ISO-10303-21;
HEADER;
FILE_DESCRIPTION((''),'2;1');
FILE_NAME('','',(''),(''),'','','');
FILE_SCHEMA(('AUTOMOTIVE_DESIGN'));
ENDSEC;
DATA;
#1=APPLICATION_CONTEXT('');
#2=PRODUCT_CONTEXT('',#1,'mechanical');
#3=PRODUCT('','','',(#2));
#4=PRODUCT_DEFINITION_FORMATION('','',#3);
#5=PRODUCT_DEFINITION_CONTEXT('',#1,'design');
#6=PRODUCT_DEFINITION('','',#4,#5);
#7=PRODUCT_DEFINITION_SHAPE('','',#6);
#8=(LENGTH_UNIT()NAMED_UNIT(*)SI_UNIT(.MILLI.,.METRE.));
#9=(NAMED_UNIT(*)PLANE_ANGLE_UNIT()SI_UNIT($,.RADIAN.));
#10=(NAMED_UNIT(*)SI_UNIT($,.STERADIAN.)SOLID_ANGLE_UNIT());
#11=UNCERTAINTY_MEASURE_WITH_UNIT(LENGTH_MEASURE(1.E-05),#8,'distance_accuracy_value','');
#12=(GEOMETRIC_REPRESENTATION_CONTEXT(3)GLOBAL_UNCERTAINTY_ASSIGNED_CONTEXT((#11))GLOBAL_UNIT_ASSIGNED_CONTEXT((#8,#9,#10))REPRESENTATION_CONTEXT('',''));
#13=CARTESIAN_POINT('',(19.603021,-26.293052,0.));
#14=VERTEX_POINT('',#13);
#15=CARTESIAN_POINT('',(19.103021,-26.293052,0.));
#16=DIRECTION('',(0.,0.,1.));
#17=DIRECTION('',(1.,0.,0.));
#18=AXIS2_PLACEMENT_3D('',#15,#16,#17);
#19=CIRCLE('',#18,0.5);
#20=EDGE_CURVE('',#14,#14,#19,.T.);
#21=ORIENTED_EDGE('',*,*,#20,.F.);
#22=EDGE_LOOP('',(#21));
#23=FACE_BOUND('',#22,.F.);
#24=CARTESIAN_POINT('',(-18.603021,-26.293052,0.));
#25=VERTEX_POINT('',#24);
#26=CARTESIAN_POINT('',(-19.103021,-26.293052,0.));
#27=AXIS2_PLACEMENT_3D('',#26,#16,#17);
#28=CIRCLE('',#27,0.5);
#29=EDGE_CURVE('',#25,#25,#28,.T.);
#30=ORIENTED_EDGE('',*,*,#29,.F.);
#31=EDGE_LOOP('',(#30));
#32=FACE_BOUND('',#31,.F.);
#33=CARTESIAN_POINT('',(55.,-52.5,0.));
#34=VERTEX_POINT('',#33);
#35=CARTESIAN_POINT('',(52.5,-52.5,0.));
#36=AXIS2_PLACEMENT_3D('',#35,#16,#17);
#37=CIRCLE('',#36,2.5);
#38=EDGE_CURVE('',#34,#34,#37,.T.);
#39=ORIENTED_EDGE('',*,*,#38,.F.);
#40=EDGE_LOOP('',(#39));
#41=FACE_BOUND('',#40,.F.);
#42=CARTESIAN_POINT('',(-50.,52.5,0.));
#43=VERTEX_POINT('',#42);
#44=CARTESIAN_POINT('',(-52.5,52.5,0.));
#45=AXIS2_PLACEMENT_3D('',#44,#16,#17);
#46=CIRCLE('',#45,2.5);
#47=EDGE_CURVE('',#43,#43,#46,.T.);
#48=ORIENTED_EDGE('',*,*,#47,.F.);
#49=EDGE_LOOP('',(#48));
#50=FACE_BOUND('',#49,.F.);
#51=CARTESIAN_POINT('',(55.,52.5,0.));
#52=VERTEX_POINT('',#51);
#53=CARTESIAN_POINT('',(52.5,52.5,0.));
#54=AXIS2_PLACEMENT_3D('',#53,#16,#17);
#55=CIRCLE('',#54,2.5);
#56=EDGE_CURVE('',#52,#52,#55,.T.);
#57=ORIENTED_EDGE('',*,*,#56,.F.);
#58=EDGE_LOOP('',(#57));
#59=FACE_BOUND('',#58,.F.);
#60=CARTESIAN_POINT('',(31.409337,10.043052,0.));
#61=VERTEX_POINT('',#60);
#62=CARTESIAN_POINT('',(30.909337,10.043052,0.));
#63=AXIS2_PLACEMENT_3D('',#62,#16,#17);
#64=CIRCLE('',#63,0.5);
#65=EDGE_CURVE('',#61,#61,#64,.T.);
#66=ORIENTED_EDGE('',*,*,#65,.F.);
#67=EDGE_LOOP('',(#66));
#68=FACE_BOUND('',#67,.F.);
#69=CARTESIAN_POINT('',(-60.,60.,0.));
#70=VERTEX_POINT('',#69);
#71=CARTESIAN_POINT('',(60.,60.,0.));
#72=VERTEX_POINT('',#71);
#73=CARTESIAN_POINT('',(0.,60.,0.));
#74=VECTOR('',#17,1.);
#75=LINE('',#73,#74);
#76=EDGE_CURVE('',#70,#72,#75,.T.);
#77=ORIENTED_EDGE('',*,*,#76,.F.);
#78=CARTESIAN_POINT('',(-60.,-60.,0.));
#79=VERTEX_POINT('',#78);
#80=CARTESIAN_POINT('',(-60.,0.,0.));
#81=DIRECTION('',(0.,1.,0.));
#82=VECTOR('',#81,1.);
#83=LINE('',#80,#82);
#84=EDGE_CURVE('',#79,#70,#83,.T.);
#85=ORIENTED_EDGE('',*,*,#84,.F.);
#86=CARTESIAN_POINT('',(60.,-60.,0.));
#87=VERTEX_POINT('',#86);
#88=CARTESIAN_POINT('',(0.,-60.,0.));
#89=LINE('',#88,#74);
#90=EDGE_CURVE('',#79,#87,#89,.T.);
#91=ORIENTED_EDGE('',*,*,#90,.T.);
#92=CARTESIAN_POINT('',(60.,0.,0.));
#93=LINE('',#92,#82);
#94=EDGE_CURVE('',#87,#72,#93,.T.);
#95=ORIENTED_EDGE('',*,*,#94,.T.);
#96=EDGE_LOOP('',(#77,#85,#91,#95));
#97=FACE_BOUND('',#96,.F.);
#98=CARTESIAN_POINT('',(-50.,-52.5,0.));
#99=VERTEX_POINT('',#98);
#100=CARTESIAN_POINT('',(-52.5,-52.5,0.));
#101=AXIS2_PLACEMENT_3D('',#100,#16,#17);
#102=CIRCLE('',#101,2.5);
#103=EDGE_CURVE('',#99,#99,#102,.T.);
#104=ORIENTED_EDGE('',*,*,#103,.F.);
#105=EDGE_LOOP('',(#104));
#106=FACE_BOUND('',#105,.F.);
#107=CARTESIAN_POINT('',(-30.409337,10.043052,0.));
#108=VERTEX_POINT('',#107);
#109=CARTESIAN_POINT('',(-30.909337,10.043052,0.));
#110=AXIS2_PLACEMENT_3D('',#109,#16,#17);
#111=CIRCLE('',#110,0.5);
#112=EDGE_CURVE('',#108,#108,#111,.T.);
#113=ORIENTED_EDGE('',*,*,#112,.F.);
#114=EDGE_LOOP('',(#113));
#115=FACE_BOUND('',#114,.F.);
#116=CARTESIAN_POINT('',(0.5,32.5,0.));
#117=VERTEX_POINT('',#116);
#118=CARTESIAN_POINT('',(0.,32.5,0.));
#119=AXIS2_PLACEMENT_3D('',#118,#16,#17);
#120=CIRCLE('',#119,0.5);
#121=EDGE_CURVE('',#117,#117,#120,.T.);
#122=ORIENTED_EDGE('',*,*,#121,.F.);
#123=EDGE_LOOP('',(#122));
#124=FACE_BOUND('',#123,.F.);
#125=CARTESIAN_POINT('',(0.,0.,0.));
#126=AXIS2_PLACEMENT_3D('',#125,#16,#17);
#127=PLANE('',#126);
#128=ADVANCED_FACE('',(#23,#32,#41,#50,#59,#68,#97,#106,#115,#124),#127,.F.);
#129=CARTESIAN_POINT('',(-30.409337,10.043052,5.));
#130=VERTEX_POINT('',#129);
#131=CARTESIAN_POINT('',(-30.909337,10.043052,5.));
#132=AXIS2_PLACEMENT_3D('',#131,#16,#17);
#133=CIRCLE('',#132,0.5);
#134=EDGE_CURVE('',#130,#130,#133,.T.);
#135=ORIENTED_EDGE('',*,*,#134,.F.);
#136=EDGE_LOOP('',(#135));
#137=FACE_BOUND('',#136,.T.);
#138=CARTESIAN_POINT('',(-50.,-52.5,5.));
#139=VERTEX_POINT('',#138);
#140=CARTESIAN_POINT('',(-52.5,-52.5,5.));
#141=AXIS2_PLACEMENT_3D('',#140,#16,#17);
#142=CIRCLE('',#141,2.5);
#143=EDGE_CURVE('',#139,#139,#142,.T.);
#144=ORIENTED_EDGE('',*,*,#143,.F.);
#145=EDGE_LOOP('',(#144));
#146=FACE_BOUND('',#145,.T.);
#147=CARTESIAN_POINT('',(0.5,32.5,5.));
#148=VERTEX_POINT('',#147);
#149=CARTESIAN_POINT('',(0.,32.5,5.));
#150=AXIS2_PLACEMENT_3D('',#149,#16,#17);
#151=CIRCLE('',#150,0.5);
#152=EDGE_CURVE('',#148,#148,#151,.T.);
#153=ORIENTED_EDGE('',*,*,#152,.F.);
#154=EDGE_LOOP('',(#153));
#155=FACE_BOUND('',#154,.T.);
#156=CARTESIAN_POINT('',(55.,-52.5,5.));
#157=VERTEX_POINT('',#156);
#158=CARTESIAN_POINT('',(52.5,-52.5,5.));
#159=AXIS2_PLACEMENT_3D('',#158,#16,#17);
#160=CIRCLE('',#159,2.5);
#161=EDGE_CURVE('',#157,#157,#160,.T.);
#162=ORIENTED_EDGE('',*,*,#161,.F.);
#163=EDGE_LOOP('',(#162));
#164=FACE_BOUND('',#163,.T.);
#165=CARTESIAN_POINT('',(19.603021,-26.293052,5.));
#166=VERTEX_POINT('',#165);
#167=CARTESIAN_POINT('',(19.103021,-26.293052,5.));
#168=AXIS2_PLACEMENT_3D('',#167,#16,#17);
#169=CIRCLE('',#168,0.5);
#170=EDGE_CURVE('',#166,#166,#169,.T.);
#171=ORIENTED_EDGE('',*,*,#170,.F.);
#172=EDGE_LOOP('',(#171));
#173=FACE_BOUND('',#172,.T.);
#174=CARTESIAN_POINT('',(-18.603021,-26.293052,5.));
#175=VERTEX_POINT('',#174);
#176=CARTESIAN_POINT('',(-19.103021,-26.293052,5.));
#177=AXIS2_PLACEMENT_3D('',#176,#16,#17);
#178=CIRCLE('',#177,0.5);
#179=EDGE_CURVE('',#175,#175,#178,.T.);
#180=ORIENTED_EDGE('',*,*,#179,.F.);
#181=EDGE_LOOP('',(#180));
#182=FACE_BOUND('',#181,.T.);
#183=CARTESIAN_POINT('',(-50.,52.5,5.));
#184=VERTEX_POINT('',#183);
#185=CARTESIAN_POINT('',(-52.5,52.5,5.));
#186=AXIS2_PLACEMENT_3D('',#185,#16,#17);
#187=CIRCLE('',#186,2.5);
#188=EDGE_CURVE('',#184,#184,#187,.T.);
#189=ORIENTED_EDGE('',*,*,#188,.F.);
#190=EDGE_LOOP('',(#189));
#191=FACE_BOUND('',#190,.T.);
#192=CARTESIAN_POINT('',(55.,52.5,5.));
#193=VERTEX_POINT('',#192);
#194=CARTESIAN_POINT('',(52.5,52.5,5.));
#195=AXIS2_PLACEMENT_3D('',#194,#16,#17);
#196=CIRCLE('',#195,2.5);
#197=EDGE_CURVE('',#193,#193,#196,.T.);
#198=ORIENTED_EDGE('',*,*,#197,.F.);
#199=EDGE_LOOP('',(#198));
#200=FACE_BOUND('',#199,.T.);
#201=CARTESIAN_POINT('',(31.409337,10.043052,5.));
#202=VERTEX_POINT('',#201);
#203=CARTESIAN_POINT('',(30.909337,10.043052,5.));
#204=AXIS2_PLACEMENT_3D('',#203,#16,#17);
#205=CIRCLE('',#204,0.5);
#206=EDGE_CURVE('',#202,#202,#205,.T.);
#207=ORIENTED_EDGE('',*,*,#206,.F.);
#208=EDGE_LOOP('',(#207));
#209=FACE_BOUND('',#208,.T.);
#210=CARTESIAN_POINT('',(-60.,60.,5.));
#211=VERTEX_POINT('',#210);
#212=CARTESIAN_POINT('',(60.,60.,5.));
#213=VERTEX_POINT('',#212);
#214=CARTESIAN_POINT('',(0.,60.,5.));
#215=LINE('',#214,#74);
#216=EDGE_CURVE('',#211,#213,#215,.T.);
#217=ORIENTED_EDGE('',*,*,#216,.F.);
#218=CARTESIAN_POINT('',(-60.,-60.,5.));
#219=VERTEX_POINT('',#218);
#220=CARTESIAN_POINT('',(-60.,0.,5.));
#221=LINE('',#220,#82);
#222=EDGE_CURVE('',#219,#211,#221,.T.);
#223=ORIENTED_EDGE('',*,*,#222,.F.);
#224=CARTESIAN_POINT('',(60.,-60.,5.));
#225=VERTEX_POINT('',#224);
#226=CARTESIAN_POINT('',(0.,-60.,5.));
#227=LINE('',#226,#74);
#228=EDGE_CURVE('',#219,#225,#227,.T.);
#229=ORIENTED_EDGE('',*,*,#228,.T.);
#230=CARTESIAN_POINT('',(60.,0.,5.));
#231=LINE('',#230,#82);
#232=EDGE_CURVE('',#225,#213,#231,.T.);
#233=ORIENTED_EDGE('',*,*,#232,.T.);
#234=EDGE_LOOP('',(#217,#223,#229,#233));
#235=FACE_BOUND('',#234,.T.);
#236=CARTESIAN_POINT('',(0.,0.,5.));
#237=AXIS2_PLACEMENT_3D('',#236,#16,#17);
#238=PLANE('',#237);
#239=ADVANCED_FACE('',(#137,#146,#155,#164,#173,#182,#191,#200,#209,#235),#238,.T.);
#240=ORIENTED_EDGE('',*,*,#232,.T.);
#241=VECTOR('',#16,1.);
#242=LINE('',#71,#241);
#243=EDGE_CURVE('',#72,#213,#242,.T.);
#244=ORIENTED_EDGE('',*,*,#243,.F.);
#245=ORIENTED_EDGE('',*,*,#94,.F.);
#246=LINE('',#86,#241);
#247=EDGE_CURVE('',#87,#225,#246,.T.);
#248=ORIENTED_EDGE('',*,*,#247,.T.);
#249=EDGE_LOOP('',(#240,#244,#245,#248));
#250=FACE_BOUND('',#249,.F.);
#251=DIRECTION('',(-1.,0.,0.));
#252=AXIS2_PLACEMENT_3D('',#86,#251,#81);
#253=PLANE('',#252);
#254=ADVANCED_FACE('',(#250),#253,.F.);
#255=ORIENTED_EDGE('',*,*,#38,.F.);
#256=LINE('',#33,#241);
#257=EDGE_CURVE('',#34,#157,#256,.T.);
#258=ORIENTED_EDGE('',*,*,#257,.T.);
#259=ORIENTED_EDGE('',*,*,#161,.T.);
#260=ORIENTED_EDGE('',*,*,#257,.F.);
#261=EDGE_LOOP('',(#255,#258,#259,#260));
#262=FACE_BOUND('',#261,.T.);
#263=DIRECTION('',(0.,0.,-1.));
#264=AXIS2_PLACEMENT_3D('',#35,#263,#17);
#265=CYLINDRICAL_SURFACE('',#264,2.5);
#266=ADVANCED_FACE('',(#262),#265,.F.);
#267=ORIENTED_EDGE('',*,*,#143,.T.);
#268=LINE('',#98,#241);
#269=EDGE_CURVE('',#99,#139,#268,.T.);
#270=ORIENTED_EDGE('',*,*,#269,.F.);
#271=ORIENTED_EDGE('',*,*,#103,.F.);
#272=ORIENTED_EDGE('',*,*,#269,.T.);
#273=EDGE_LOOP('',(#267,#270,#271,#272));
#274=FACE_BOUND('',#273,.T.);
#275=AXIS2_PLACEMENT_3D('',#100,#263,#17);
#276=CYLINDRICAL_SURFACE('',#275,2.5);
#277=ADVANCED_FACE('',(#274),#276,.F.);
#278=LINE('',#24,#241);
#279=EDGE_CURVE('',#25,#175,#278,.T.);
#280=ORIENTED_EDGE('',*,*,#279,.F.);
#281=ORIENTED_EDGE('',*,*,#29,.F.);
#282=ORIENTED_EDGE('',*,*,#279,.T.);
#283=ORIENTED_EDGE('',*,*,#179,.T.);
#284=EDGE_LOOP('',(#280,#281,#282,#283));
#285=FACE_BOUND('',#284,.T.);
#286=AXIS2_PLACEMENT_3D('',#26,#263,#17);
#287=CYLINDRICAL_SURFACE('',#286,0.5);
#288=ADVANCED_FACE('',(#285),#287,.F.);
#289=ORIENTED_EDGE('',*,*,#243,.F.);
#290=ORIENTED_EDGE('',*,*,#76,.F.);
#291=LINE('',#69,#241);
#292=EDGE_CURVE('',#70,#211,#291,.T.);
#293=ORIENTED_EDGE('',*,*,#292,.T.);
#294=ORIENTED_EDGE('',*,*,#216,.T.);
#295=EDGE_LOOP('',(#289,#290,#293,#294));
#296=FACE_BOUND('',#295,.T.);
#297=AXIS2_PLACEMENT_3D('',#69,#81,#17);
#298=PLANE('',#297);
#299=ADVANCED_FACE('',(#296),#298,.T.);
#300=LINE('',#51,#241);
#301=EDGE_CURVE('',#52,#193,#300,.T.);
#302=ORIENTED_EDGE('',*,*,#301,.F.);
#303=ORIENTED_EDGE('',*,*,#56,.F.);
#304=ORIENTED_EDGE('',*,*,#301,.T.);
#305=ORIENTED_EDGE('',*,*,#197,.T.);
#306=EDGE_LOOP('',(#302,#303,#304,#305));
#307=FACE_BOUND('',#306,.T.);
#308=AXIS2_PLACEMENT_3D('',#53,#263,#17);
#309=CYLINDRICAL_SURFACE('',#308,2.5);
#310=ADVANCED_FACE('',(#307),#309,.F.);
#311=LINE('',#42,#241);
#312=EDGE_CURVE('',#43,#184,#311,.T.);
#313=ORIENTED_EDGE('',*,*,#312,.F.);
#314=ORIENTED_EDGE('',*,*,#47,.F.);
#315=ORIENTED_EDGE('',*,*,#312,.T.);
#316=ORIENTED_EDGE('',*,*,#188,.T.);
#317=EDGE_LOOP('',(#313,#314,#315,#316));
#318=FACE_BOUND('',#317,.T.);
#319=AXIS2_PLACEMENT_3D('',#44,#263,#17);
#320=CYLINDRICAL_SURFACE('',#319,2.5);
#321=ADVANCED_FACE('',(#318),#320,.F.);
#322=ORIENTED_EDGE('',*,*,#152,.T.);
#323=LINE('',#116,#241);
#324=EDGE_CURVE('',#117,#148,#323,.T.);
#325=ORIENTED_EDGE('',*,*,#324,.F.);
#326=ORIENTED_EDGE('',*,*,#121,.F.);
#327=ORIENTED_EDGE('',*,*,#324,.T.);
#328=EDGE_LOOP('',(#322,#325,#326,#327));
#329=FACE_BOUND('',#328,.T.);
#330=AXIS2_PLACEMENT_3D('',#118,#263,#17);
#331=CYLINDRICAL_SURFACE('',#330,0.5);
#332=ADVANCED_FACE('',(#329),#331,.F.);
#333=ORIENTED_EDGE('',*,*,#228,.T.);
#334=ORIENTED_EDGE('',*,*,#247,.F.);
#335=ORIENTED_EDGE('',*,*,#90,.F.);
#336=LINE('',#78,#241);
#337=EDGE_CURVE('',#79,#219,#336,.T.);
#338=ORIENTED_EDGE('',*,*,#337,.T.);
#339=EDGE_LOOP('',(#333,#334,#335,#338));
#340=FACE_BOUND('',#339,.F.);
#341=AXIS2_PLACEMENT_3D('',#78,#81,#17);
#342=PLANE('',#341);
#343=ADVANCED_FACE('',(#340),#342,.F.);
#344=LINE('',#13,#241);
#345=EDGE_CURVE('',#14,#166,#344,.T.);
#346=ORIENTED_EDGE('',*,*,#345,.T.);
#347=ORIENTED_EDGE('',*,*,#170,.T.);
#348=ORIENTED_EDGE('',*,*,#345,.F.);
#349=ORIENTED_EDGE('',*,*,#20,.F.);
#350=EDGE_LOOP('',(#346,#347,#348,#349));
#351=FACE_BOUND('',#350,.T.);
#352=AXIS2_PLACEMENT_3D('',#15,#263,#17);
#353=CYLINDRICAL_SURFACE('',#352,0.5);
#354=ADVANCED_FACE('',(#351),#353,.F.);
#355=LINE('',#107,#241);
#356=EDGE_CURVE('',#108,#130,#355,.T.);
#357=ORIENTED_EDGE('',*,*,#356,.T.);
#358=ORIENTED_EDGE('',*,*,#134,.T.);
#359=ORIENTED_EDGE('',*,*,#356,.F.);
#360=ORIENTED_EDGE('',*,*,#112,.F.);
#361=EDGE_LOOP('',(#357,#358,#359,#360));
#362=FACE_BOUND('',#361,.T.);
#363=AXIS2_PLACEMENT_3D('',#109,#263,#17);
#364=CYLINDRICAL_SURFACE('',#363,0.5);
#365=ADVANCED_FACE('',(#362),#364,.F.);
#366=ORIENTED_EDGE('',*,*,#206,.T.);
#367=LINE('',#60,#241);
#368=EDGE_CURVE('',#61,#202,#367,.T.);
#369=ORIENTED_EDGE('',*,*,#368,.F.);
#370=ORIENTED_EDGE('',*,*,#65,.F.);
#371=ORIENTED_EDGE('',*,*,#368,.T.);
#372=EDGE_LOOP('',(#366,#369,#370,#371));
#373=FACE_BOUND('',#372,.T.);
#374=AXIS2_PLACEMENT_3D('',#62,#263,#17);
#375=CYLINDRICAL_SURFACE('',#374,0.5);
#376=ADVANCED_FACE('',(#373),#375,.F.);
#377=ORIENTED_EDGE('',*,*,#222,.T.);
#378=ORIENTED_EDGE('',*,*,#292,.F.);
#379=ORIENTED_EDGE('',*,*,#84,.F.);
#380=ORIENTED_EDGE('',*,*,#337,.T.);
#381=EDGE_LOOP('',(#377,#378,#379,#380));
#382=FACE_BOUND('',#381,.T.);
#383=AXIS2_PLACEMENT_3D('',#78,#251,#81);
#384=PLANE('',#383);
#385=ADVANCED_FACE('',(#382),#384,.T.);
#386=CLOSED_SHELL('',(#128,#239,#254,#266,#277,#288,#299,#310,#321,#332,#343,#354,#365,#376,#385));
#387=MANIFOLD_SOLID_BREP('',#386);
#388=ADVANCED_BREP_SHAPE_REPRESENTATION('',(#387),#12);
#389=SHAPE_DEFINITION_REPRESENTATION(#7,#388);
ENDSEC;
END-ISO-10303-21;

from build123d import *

# Parameters (mm, degrees)
F0_W     = 120
F0_H     = 120
F0_R     = 2.5
F0_R_2   = 0.5
F1_DEPTH = 5


with BuildPart() as f1:
    # F0 (on Top) → F1 (new body)
    with BuildSketch(Plane.XY):
        Rectangle(F0_W, F0_H)
        with Locations((-52.5, -52.5)):
            Circle(F0_R, mode=Mode.SUBTRACT)
        with Locations((-19.103021, -26.293052)):
            Circle(F0_R_2, mode=Mode.SUBTRACT)
        with Locations((52.5, -52.5)):
            Circle(F0_R, mode=Mode.SUBTRACT)
        with Locations((19.103021, -26.293052)):
            Circle(F0_R_2, mode=Mode.SUBTRACT)
        with Locations((-30.909337, 10.043052)):
            Circle(F0_R_2, mode=Mode.SUBTRACT)
        with Locations((-52.5, 52.5)):
            Circle(F0_R, mode=Mode.SUBTRACT)
        with Locations((30.909337, 10.043052)):
            Circle(F0_R_2, mode=Mode.SUBTRACT)
        with Locations((0, 32.5)):
            Circle(F0_R_2, mode=Mode.SUBTRACT)
        with Locations((52.5, 52.5)):
            Circle(F0_R, mode=Mode.SUBTRACT)
    extrude(amount=F1_DEPTH)


solid = f1.part
